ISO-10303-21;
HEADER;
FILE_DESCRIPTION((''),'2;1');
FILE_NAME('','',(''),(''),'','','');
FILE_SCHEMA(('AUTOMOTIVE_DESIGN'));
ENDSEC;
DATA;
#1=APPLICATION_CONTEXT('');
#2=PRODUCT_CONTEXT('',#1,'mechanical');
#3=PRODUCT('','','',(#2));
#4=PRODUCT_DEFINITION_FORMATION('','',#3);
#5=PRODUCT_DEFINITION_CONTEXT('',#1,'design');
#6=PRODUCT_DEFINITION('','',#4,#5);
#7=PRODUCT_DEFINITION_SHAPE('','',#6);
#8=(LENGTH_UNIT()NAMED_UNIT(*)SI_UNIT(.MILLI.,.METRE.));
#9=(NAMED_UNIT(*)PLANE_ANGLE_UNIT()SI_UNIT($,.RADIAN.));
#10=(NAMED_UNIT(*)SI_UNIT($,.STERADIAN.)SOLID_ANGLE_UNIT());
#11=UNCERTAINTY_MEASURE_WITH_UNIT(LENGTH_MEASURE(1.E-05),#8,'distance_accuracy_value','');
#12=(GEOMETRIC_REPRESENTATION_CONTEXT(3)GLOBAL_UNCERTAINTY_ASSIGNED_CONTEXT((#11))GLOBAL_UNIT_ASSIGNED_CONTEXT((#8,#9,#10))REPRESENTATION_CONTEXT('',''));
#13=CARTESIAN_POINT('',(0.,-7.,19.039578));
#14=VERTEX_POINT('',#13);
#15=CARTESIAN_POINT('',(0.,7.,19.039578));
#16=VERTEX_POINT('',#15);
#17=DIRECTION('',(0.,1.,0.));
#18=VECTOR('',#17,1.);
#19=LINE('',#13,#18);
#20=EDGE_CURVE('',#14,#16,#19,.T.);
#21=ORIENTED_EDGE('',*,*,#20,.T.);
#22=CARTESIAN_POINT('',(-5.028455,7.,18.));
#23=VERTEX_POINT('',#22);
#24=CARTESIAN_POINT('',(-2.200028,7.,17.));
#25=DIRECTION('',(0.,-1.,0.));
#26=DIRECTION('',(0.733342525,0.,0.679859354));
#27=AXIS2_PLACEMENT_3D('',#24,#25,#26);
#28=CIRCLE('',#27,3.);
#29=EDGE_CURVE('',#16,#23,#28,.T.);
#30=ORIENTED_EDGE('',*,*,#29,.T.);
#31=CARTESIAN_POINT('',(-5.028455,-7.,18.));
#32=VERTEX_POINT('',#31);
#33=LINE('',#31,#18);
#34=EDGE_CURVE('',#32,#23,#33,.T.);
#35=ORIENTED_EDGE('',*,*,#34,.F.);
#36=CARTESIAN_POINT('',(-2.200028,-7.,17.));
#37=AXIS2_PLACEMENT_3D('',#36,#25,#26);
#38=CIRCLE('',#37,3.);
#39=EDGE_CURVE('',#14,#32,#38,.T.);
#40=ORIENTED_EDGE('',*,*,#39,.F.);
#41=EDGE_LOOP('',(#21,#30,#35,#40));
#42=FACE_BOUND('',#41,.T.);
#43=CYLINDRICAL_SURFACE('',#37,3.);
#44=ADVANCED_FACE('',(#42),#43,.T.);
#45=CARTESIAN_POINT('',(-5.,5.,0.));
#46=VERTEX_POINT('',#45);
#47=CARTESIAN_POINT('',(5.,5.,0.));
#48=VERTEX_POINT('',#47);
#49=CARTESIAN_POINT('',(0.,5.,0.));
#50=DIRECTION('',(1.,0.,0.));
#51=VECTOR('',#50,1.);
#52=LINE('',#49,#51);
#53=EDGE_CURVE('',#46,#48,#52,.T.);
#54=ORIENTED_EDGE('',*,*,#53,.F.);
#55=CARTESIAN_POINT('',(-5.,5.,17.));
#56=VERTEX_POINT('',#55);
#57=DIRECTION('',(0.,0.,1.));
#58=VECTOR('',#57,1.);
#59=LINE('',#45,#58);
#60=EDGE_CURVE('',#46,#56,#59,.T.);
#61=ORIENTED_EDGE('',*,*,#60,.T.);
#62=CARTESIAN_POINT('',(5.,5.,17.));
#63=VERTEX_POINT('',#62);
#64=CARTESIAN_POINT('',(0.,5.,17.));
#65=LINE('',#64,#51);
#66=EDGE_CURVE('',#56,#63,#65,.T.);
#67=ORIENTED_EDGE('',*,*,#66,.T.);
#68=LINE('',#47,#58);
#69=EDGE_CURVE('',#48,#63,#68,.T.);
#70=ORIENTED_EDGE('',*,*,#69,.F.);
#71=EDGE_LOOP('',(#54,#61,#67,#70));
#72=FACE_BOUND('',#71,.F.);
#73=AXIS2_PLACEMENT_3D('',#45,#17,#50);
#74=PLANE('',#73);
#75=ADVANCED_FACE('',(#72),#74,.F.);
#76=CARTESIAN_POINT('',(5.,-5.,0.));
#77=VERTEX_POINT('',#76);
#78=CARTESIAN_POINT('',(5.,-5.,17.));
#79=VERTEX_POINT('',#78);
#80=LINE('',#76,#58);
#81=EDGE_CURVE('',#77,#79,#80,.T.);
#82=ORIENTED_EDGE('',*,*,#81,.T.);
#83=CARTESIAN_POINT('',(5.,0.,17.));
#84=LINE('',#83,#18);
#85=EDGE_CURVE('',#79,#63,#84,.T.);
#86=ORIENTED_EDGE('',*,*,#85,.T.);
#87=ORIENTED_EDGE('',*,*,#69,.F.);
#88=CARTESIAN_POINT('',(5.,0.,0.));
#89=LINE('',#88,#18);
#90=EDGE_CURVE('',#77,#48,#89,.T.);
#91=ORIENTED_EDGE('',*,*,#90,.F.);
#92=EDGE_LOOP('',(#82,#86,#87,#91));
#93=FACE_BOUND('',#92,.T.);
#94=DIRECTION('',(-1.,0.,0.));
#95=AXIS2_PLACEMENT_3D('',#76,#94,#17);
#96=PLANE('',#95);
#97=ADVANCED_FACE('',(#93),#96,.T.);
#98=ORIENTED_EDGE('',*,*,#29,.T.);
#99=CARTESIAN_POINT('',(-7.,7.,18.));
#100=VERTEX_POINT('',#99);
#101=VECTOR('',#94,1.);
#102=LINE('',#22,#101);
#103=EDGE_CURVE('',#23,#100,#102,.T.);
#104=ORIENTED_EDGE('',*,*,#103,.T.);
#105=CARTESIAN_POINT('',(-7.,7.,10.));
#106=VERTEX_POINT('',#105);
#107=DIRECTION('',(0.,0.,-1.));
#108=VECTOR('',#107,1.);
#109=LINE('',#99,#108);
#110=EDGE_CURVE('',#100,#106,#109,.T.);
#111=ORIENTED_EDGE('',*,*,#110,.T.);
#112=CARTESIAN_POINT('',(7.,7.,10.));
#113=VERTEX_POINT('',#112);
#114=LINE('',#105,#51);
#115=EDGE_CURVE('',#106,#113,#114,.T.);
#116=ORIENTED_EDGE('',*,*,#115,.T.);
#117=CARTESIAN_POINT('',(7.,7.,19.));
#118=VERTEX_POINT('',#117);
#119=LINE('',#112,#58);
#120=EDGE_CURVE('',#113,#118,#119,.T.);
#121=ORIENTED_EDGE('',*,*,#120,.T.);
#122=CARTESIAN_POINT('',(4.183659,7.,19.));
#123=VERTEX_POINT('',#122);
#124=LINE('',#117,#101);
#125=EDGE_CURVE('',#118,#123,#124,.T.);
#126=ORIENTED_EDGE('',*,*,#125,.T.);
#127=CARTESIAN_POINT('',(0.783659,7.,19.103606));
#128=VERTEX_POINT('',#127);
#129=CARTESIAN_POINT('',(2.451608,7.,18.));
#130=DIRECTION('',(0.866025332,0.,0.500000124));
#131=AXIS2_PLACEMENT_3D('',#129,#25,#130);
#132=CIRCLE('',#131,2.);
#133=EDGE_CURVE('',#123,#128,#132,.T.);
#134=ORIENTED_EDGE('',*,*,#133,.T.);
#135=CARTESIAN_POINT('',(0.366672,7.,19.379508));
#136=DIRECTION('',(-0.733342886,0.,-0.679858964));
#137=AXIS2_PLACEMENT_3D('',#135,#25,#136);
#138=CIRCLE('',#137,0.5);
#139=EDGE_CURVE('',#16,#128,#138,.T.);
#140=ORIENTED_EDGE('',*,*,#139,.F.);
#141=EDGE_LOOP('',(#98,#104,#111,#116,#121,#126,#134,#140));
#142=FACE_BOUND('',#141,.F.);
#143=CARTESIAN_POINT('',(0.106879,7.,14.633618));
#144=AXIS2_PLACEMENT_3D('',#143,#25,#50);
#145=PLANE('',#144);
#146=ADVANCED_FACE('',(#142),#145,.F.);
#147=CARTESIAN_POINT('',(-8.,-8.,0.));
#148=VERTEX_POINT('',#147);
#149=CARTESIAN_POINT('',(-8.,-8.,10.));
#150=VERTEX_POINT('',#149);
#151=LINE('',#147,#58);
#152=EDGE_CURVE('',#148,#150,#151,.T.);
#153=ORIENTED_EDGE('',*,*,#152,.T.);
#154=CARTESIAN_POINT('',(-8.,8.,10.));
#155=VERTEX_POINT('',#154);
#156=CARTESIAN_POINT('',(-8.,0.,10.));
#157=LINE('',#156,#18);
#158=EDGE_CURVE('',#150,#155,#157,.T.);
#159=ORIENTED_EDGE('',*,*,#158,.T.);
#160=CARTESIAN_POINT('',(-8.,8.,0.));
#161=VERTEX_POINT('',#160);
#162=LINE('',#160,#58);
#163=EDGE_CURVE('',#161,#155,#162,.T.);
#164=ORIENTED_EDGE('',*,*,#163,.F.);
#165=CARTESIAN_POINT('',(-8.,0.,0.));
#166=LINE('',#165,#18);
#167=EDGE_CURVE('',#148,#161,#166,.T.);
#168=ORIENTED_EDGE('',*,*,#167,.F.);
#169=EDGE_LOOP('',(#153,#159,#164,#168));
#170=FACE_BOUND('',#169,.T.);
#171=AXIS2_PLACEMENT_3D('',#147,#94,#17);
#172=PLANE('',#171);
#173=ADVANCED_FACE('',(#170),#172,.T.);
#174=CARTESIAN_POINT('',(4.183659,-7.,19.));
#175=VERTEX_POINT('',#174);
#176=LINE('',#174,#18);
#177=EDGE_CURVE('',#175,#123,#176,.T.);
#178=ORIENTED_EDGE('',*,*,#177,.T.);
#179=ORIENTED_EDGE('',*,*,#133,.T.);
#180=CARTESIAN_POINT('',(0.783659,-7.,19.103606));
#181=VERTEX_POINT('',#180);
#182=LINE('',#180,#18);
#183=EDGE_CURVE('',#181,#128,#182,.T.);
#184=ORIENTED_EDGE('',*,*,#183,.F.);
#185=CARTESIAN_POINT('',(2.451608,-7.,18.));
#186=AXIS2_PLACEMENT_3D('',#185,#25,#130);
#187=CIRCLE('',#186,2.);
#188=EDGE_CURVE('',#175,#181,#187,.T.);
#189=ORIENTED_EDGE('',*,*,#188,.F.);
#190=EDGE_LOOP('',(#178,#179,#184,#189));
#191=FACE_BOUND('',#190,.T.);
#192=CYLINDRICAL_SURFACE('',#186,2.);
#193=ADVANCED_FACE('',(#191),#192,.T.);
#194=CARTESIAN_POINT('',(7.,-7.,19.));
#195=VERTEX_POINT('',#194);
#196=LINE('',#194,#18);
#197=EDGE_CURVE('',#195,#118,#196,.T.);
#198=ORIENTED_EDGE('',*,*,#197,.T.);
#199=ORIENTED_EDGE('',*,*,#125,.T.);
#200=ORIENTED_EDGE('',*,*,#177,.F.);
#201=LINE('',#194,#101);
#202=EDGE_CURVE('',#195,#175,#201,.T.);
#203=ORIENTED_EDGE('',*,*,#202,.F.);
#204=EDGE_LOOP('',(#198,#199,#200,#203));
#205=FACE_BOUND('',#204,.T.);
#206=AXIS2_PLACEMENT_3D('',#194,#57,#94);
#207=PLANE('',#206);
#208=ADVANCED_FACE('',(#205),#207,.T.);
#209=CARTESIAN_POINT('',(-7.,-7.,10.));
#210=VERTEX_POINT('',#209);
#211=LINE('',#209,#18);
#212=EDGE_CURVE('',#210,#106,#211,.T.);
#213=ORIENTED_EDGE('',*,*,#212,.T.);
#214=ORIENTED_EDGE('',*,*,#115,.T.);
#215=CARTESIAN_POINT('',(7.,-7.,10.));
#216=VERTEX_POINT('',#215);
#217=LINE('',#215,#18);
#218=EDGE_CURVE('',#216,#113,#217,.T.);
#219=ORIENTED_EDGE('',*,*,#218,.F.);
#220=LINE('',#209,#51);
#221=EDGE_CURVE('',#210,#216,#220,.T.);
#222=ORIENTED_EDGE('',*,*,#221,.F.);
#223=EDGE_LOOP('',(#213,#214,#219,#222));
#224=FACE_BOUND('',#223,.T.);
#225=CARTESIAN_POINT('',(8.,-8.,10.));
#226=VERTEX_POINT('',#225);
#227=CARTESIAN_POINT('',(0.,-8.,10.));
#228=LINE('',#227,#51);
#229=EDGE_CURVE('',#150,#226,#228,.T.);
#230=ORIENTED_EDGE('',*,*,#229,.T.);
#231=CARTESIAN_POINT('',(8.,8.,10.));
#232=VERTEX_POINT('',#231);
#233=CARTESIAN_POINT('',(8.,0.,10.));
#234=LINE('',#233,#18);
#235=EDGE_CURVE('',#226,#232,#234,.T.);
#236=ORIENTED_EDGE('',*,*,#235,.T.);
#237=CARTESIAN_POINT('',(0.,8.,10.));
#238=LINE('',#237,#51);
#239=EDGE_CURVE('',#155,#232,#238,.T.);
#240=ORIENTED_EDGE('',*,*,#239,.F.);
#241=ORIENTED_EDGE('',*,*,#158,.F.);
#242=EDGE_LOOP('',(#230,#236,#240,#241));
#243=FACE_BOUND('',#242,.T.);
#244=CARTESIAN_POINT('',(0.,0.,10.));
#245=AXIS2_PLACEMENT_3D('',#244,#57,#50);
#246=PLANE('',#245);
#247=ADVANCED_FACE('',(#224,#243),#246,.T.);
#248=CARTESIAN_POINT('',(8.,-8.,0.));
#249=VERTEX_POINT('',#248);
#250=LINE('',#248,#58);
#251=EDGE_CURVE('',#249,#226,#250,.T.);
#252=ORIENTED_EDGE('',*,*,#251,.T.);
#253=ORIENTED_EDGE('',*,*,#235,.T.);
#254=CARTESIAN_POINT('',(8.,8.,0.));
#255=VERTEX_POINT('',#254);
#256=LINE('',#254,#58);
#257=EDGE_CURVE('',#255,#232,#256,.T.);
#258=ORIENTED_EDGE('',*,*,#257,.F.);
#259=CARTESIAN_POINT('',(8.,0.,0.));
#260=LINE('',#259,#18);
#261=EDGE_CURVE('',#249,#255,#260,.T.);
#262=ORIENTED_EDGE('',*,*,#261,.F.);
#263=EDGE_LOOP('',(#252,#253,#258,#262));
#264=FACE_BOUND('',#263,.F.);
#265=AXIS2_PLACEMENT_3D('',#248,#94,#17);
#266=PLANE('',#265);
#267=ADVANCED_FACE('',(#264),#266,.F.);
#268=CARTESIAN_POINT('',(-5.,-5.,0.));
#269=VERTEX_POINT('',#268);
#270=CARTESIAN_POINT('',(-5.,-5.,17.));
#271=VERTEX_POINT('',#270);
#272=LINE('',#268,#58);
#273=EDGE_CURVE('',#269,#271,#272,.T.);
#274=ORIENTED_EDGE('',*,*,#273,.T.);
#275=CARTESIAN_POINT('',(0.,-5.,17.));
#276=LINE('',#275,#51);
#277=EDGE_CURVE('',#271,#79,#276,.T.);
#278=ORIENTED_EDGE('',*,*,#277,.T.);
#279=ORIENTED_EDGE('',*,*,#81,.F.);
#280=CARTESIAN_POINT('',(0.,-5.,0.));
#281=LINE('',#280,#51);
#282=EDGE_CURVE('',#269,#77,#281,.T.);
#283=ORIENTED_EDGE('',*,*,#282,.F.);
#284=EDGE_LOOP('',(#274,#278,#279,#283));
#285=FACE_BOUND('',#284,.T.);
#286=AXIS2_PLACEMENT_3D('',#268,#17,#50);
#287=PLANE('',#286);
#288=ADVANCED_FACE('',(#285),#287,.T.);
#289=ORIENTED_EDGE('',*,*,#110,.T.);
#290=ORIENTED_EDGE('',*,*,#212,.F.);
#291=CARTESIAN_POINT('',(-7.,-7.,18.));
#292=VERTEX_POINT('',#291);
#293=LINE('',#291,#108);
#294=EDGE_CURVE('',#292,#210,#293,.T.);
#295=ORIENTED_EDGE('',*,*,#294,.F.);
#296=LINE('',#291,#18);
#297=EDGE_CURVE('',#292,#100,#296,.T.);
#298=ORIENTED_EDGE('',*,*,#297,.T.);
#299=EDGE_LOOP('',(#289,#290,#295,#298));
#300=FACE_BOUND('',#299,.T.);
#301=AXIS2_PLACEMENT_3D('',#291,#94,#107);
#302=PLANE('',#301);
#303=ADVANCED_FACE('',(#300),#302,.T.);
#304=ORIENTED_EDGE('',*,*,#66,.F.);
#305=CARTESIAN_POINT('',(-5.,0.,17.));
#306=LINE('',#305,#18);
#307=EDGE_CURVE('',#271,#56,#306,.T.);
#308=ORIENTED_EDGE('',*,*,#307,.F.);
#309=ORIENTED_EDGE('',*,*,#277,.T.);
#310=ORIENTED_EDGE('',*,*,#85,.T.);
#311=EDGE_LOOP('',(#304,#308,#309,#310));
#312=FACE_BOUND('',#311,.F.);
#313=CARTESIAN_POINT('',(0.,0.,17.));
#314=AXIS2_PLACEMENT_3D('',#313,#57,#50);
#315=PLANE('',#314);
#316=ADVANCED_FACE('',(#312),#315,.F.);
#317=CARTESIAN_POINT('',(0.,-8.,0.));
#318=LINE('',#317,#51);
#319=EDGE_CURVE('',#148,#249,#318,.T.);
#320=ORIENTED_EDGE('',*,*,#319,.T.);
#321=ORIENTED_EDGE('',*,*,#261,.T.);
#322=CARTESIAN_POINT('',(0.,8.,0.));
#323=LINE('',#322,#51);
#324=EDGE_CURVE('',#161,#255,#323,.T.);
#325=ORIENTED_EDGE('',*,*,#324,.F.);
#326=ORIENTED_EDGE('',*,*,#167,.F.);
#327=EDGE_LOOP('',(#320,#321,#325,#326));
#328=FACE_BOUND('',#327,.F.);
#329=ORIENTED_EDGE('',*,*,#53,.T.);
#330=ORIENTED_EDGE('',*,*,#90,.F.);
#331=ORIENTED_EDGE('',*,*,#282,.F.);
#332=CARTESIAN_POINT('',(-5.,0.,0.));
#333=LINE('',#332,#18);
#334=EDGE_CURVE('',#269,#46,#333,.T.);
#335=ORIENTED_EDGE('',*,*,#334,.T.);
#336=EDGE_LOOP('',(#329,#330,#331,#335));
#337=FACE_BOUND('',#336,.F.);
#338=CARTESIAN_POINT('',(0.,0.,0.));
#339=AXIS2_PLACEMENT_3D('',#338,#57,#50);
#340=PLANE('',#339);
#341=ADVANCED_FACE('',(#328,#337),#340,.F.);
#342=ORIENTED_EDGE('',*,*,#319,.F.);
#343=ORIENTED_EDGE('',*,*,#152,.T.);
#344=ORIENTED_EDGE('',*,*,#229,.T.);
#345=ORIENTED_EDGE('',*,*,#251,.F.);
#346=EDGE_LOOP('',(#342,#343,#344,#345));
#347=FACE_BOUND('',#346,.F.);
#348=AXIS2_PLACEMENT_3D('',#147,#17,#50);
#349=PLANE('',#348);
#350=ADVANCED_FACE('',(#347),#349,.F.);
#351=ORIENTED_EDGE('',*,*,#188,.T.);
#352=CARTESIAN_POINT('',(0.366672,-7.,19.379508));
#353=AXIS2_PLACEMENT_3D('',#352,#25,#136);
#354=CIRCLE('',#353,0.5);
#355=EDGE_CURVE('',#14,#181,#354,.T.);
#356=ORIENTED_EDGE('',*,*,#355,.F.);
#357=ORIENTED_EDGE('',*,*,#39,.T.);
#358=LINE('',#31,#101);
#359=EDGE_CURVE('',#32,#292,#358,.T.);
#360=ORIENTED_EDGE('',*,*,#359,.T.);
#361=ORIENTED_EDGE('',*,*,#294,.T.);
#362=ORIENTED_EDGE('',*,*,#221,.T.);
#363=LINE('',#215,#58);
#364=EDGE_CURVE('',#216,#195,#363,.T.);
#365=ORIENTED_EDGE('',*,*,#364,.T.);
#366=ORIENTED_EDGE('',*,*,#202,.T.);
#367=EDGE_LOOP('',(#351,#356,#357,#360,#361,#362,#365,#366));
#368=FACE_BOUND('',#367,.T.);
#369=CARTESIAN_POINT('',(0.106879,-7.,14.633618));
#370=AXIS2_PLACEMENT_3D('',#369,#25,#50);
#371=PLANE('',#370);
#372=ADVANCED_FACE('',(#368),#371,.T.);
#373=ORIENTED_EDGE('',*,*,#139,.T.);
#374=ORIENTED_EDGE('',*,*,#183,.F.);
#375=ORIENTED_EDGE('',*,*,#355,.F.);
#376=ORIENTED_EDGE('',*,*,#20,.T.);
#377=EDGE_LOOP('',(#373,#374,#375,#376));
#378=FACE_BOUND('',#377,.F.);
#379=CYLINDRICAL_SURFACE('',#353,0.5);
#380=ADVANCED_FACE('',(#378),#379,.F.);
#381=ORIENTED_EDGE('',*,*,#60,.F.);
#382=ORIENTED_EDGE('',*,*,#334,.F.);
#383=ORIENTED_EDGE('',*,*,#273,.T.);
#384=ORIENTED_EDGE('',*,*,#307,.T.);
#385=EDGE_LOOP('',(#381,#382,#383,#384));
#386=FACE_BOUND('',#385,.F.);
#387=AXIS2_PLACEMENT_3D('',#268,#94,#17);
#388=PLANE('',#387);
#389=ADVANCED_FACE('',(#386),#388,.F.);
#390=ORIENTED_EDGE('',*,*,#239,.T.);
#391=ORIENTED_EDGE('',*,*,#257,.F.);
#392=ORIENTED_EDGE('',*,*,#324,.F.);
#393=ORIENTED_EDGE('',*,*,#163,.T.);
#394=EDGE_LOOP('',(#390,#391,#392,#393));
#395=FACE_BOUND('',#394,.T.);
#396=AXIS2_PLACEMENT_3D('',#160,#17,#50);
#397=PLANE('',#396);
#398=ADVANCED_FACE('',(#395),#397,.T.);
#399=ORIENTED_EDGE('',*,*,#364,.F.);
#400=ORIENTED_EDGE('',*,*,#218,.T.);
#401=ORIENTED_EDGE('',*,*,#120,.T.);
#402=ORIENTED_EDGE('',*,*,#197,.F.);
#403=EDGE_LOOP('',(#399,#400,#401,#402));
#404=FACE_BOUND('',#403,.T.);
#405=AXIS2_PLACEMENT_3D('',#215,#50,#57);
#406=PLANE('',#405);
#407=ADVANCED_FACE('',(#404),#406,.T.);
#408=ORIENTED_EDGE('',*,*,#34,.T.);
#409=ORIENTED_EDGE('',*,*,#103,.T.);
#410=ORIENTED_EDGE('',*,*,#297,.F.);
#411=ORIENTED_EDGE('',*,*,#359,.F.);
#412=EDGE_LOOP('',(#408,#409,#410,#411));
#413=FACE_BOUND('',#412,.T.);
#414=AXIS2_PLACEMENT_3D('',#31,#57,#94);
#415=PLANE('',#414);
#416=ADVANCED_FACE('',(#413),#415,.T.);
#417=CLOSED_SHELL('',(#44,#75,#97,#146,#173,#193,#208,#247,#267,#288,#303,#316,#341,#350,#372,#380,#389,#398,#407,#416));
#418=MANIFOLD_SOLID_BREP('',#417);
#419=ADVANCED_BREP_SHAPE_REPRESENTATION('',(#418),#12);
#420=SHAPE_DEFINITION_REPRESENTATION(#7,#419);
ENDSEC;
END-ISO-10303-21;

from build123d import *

# Parameters (mm, degrees)
BOX001_W      = 10
BOX001_H      = 10
BOX001_DEPTH  = 17
EXTRUDE_DEPTH = 14
BOX_W         = 16
BOX_H         = 16
BOX_DEPTH     = 10


with BuildPart() as cube001:
    # Box001 → Box001 (new body)
    with BuildSketch(Plane(origin=(-5, -5, 0), x_dir=(1, 0, 0), z_dir=(0, 0, 1))):
        with Locations((5, 5)):
            Rectangle(BOX001_W, BOX001_H)
    extrude(amount=BOX001_DEPTH)


with BuildPart() as extrude_body:
    # Sketch → Extrude (new body)
    with BuildSketch(Plane(origin=(-7, -7, 0), x_dir=(1, 0, 0), z_dir=(0, -1, 0))):
        with BuildLine():
            ThreePointArc((7, 19.039578), (4.192599, 19.937873), (1.971545, 18))
            Line((1.971545, 18), (0, 18))
            Line((0, 18), (0, 10))
            Line((0, 10), (14, 10))
            Line((14, 10), (14, 19))
            Line((14, 19), (11.183659, 19))
            ThreePointArc((11.183659, 19), (9.512524, 19.999072), (7.783659, 19.103606))
            ThreePointArc((7, 19.039578), (7.407388, 18.881168), (7.783659, 19.103606))
        make_face()
    extrude(amount=-EXTRUDE_DEPTH)


with BuildPart() as cut:
    # Box → Box (new body)
    with BuildSketch(Plane(origin=(-8, -8, 0), x_dir=(1, 0, 0), z_dir=(0, 0, 1))):
        with Locations((8, 8)):
            Rectangle(BOX_W, BOX_H)
    extrude(amount=BOX_DEPTH)

    # Fusion: union Extrude body
    add(extrude_body.part)

    # Cut: cut Cube001
    add(cube001.part, mode=Mode.SUBTRACT)


solid = cut.part
